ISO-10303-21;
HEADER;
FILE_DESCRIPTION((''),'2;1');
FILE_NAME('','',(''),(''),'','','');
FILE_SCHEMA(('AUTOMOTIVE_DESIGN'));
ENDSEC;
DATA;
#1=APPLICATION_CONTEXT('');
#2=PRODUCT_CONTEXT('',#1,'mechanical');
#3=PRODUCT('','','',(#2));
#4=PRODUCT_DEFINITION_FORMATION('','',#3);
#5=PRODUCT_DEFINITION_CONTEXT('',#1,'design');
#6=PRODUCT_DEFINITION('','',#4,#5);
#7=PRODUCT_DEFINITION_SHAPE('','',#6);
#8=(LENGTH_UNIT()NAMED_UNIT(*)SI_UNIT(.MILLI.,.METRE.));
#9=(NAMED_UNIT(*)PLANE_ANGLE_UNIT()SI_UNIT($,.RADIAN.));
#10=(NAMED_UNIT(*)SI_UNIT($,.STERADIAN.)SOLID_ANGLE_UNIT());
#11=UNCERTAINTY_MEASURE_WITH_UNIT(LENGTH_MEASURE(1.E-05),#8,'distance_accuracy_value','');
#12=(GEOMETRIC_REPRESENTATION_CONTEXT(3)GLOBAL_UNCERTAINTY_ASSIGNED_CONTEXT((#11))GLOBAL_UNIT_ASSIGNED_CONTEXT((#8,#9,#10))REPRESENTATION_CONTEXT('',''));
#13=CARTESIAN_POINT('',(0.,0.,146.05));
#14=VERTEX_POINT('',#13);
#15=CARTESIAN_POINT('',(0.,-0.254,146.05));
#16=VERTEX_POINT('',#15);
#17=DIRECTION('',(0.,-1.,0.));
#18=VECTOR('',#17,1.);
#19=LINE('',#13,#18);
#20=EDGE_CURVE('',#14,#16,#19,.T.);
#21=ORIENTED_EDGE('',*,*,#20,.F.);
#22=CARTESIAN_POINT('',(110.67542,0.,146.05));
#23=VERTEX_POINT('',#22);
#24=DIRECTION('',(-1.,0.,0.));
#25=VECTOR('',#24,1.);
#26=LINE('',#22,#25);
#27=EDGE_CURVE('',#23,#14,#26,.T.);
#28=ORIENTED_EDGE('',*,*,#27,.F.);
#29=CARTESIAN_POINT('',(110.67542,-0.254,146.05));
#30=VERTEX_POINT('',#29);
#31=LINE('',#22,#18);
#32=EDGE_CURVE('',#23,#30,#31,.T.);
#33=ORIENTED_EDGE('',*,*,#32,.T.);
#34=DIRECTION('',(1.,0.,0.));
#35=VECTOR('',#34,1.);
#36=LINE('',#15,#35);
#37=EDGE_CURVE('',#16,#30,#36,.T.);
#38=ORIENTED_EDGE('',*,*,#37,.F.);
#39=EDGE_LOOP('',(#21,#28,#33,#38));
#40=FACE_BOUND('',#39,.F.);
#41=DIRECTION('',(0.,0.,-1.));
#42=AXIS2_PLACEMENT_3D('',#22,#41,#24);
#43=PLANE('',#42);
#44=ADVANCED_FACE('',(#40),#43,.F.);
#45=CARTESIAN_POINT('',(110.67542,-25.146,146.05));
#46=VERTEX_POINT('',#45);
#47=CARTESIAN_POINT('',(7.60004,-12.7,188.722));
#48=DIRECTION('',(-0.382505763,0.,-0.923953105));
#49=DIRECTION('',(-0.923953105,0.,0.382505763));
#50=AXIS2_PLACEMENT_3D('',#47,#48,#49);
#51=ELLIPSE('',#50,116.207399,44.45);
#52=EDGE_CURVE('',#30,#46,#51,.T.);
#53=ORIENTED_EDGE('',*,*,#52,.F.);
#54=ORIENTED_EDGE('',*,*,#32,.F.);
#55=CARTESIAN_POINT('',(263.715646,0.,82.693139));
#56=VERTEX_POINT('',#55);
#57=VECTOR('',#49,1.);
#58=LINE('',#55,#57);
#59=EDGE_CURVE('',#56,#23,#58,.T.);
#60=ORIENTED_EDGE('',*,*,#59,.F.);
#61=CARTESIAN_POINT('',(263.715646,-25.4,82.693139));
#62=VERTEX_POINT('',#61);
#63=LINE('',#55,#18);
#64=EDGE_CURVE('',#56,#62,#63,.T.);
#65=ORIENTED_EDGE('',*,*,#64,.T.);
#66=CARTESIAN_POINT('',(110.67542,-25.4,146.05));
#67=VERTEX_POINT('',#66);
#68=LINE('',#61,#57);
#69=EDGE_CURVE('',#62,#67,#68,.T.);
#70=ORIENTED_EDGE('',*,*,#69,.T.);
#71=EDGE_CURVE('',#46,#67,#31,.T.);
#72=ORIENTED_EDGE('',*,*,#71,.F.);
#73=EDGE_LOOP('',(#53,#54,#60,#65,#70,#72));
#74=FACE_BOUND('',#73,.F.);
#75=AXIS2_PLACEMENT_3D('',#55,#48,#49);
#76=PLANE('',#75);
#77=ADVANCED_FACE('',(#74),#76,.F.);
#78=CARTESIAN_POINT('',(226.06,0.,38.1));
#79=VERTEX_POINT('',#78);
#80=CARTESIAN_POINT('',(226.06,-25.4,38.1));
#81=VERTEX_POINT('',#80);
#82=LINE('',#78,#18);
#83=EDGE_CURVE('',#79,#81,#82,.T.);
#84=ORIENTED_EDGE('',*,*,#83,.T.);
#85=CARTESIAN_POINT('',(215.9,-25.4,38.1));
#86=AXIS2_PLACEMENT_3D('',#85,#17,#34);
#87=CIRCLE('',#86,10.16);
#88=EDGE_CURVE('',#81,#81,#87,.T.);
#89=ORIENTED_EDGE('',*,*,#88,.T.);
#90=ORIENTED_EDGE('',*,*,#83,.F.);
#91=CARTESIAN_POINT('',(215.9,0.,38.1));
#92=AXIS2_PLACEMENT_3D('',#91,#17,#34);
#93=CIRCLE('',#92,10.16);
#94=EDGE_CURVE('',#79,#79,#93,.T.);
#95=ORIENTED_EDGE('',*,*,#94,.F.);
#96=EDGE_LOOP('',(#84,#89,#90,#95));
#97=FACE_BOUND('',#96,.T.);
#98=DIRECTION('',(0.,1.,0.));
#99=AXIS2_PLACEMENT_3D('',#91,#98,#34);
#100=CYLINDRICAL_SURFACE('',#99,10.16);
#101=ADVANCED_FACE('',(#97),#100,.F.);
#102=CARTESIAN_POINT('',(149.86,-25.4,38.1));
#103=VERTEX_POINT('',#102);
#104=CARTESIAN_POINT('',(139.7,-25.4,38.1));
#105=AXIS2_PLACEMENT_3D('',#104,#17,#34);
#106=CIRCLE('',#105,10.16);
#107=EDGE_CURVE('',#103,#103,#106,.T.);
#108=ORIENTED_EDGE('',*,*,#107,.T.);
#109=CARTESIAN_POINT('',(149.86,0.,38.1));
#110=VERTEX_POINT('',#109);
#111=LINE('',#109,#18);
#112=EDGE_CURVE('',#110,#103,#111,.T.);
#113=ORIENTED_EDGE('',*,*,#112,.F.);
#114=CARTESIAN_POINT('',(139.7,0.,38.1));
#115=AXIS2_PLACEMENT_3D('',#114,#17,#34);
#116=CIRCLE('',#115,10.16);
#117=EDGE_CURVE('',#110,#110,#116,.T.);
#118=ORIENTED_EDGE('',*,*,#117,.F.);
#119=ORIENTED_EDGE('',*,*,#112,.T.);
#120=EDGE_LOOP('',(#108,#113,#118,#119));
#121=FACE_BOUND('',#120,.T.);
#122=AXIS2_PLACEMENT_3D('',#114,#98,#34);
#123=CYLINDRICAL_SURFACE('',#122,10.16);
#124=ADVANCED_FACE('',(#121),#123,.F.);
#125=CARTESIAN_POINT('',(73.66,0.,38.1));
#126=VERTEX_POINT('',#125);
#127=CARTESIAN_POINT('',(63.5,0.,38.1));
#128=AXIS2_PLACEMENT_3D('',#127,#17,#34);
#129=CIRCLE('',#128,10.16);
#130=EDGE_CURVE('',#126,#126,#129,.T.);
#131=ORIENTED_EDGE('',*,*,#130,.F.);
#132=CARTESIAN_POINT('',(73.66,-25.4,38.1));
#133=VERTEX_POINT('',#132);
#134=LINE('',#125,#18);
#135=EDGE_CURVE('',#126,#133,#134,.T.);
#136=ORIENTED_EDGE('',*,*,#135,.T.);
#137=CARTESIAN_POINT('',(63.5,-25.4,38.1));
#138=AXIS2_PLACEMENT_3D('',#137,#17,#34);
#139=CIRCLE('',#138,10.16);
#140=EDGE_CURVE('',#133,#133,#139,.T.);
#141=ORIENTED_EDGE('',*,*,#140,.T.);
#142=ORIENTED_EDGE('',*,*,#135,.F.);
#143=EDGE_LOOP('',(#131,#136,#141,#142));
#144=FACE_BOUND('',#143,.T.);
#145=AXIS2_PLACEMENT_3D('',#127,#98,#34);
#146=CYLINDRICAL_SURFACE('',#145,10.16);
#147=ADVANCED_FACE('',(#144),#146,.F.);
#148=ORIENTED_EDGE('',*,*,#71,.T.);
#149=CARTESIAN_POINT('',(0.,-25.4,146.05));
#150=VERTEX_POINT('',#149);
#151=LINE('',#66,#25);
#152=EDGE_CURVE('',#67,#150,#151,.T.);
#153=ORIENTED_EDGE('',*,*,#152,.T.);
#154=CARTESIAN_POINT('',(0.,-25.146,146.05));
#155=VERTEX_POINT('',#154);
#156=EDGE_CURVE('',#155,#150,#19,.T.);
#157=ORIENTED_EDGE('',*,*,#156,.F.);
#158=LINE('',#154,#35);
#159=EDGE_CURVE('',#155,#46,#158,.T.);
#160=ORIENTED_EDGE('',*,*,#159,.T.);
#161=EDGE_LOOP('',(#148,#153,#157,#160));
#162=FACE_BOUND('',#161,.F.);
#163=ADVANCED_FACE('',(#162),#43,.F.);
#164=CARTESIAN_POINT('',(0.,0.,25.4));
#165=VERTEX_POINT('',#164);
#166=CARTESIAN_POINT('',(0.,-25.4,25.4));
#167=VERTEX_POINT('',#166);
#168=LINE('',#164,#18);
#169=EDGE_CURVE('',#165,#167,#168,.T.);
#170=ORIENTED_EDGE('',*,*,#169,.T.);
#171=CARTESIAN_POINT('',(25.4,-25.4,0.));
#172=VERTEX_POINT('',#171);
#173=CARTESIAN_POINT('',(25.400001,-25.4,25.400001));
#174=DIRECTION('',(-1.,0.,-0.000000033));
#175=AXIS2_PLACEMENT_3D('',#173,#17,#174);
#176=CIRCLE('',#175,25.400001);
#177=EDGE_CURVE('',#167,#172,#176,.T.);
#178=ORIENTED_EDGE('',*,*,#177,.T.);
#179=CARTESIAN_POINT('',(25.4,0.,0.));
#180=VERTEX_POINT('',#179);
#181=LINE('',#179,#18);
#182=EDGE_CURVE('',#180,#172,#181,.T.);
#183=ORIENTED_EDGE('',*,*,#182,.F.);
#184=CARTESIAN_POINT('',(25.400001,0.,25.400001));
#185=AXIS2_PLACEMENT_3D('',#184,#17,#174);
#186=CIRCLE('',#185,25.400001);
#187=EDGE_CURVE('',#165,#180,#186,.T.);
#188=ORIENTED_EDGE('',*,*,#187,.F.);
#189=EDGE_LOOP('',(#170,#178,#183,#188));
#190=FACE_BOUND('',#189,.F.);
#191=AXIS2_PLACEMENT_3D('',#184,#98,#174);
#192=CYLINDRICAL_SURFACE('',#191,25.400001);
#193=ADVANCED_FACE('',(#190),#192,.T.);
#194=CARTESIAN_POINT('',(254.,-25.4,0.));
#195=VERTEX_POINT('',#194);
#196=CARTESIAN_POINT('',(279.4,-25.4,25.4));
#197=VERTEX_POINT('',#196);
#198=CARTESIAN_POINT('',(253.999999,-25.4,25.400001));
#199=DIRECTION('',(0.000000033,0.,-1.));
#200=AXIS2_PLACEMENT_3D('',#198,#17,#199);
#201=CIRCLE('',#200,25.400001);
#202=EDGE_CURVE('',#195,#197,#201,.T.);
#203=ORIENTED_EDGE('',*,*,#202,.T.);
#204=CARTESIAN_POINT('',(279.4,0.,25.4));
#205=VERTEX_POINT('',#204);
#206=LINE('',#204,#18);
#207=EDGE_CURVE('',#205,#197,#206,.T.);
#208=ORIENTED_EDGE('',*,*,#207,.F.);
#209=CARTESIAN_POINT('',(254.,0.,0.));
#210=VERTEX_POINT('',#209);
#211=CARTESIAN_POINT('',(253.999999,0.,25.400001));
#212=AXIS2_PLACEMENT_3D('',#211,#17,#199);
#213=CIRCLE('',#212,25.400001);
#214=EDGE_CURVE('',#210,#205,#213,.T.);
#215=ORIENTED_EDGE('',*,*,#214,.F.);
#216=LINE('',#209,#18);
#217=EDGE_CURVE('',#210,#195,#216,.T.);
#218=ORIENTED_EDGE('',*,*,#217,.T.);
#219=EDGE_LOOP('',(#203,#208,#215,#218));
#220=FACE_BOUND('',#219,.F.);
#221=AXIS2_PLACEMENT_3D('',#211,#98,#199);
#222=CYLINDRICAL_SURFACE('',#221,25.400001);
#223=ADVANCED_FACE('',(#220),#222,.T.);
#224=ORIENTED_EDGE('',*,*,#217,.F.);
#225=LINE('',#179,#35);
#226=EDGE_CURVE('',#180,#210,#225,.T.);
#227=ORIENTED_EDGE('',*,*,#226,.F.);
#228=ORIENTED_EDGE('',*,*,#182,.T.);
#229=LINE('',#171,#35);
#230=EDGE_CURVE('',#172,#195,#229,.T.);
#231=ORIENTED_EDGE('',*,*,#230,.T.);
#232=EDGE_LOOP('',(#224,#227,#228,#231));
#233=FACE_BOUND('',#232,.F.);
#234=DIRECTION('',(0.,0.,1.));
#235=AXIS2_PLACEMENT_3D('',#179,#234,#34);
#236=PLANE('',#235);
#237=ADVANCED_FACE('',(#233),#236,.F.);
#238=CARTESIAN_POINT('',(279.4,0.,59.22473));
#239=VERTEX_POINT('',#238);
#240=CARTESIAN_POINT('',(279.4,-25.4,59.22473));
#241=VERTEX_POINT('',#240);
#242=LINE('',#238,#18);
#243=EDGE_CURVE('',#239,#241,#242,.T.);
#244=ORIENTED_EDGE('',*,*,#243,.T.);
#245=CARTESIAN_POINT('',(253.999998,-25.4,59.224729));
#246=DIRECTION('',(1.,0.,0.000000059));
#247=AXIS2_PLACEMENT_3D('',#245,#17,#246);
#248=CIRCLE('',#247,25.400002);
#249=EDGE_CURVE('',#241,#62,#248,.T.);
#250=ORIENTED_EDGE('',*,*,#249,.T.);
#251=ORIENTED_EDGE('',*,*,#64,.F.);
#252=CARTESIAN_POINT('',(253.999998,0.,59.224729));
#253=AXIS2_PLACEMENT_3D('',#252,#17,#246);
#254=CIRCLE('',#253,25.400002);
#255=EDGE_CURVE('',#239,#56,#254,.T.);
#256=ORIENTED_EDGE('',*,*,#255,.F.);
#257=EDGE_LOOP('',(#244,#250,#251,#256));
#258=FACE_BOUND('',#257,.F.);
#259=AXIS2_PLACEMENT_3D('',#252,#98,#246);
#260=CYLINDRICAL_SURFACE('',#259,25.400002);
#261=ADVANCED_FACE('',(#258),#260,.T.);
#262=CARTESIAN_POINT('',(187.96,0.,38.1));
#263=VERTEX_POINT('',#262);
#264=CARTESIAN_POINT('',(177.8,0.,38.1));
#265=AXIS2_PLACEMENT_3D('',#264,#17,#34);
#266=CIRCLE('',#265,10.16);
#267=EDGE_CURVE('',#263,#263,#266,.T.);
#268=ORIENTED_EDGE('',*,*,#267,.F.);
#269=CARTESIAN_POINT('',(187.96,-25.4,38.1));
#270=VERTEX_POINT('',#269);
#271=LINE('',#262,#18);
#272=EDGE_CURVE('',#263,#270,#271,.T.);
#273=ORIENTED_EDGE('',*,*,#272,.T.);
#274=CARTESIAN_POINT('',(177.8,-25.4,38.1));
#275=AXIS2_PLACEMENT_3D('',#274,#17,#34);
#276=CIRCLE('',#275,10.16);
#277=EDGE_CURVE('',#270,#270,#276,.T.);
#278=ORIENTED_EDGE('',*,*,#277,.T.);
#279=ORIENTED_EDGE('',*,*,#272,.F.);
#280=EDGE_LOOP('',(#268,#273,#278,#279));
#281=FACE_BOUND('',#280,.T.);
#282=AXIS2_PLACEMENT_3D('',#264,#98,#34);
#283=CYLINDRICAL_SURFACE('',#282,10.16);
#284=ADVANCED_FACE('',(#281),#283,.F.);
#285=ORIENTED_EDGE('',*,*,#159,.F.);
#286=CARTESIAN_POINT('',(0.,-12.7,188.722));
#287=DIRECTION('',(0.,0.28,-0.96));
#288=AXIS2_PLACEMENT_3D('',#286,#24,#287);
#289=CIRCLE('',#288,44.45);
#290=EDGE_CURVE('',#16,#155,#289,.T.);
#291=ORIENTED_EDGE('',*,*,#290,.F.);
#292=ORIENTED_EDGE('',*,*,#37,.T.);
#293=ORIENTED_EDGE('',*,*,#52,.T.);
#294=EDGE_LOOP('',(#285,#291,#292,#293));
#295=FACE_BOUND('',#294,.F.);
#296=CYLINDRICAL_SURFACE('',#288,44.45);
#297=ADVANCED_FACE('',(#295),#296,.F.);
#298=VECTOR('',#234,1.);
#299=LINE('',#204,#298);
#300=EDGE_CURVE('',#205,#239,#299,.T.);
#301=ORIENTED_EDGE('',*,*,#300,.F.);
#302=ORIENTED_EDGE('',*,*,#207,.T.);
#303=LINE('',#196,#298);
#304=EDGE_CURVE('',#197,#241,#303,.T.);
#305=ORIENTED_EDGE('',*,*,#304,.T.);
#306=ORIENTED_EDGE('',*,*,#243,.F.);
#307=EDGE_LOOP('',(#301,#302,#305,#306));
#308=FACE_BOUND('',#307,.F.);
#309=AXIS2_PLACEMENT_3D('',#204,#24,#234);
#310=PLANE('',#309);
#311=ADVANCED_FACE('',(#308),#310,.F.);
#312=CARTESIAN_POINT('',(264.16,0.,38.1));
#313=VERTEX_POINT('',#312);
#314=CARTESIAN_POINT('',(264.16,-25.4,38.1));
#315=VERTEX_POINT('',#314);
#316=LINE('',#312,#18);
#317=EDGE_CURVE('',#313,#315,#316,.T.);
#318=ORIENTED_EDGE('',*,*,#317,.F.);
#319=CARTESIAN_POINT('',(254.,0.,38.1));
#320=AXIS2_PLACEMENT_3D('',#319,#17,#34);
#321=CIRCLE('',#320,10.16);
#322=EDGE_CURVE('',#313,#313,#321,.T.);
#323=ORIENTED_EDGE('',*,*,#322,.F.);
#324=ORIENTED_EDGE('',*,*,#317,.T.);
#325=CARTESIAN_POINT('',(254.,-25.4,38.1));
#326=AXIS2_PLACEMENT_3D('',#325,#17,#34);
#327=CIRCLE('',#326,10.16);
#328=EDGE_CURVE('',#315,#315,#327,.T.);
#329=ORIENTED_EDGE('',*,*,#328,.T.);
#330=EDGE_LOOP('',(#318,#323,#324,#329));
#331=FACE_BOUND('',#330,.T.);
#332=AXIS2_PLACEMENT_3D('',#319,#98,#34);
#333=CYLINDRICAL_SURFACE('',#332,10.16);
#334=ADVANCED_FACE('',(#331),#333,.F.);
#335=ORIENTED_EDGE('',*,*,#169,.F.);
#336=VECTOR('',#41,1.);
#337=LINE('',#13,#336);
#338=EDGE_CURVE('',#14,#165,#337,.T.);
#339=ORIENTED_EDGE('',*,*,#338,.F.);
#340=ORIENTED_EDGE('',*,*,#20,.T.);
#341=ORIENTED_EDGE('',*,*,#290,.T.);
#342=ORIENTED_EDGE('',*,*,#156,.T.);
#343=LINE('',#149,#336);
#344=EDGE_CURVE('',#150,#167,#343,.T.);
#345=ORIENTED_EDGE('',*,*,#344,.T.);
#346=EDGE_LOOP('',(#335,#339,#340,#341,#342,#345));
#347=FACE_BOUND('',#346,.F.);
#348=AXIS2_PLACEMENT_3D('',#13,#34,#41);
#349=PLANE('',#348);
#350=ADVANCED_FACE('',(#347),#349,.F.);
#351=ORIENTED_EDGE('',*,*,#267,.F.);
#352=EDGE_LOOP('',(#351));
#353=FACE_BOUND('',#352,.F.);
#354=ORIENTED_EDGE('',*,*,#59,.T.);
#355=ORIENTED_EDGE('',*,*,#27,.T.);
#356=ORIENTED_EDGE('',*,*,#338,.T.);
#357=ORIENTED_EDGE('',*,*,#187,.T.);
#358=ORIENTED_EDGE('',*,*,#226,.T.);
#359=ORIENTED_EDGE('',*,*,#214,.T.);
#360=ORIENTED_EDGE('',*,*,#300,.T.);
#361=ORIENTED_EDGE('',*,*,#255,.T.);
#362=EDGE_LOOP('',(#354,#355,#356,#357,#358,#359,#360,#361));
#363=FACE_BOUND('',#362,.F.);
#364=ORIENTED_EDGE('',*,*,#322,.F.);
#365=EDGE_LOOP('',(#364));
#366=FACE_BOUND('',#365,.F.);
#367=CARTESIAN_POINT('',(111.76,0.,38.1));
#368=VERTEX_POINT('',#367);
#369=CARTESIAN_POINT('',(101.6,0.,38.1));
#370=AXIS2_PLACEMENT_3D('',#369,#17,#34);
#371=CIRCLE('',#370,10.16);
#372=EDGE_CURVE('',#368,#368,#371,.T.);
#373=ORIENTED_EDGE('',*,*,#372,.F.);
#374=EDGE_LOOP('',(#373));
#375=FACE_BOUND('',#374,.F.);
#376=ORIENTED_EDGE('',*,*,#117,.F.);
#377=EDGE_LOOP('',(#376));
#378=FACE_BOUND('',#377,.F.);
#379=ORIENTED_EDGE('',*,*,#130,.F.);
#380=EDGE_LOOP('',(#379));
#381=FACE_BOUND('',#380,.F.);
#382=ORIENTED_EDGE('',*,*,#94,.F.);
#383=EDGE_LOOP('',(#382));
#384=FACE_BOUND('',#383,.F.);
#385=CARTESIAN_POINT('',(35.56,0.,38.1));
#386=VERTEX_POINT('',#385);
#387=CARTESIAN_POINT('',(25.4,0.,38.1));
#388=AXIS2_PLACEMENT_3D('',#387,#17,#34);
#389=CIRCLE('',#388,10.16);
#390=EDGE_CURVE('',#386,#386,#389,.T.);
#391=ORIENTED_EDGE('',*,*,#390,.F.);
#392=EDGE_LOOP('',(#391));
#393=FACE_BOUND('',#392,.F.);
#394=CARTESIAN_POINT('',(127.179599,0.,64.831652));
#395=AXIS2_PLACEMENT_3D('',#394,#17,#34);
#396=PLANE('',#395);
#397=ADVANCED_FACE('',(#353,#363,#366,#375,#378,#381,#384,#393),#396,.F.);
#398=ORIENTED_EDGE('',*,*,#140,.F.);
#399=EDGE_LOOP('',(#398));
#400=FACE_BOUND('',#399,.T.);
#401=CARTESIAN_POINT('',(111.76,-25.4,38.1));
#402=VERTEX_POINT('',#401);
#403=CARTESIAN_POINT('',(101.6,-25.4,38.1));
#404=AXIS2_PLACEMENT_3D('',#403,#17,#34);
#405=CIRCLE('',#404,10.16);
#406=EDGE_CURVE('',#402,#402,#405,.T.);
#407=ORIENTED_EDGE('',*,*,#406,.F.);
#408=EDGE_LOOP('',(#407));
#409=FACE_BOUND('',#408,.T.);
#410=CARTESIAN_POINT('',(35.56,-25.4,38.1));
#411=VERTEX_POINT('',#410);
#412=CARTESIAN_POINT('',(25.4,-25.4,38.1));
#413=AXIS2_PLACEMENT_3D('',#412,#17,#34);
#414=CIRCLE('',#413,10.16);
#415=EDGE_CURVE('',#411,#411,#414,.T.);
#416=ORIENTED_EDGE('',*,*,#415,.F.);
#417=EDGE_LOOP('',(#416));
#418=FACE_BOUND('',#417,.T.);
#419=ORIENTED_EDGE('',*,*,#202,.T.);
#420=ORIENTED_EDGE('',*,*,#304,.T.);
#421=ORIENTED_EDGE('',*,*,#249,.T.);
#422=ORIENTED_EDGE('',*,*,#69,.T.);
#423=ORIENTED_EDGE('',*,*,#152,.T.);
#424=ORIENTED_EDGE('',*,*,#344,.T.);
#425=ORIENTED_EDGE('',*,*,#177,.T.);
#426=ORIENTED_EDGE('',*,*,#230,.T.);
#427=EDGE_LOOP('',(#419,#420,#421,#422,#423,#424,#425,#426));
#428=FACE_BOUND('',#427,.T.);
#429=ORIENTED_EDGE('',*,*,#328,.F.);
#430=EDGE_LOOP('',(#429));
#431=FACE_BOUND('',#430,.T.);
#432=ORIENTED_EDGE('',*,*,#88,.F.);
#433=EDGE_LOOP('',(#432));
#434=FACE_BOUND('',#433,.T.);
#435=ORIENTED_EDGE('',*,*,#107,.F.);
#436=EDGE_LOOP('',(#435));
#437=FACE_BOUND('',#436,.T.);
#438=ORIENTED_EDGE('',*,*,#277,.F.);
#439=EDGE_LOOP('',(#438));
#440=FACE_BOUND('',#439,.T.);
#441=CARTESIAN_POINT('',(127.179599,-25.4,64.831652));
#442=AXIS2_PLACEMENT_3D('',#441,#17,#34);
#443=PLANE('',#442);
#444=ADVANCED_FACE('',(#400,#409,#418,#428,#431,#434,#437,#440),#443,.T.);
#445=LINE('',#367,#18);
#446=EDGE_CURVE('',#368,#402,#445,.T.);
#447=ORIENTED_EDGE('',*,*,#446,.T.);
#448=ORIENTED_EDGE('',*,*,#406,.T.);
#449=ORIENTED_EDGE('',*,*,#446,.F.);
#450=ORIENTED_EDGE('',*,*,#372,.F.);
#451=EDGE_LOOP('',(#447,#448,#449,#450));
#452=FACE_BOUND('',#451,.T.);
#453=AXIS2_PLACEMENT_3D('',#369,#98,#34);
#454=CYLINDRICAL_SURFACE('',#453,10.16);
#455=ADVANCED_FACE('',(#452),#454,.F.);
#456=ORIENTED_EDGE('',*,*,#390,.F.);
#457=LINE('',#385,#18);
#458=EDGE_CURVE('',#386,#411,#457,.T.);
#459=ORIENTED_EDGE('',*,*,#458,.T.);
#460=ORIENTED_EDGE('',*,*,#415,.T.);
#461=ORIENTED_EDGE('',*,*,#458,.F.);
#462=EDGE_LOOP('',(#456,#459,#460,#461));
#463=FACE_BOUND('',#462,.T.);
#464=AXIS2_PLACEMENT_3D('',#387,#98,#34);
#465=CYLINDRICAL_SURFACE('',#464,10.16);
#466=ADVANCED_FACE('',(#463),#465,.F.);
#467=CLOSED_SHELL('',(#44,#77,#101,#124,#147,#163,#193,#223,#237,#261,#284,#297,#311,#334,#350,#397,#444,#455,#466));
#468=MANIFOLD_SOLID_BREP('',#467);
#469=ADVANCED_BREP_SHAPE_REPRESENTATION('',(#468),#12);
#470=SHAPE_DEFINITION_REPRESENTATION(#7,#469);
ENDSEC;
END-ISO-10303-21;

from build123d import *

# Parameters (mm, degrees)
F0_R     = 10.16
F1_DEPTH = 25.4
F3_DEPTH = 152.4


with BuildPart() as f1:
    # F0 (on Front) → F1 (new body)
    with BuildSketch(Plane.XZ):
        with BuildLine():
            Line((0, 146.05), (0, 25.4))
            ThreePointArc((0, 25.4), (7.439488, 7.439488), (25.4, 0))
            Line((25.4, 0), (254, 0))
            ThreePointArc((254, 0), (271.960512, 7.439488), (279.4, 25.4))
            Line((279.4, 25.4), (279.4, 59.22473))
            ThreePointArc((279.4, 59.22473), (275.117971, 73.338244), (263.715646, 82.693139))
            Line((263.715646, 82.693139), (110.67542, 146.05))
            Line((110.67542, 146.05), (0, 146.05))
        make_face()
        with Locations((25.4, 38.1)):
            Circle(F0_R, mode=Mode.SUBTRACT)
        with Locations((63.5, 38.1)):
            Circle(F0_R, mode=Mode.SUBTRACT)
        with Locations((101.6, 38.1)):
            Circle(F0_R, mode=Mode.SUBTRACT)
        with Locations((139.7, 38.1)):
            Circle(F0_R, mode=Mode.SUBTRACT)
        with Locations((177.8, 38.1)):
            Circle(F0_R, mode=Mode.SUBTRACT)
        with Locations((215.9, 38.1)):
            Circle(F0_R, mode=Mode.SUBTRACT)
        with Locations((254, 38.1)):
            Circle(F0_R, mode=Mode.SUBTRACT)
    extrude(amount=F1_DEPTH)

    # F2 (on face) → F3 (cut)
    with BuildSketch(Plane(origin=(0, 0, 0), x_dir=(0, -1, 0), z_dir=(-1, 0, 0))):
        with BuildLine():
            Line((25.146, 146.05), (0.254, 146.05))
            ThreePointArc((0.254, 146.05), (12.7, 144.272), (25.146, 146.05))
        make_face()
    extrude(amount=-F3_DEPTH, mode=Mode.SUBTRACT)


solid = f1.part
